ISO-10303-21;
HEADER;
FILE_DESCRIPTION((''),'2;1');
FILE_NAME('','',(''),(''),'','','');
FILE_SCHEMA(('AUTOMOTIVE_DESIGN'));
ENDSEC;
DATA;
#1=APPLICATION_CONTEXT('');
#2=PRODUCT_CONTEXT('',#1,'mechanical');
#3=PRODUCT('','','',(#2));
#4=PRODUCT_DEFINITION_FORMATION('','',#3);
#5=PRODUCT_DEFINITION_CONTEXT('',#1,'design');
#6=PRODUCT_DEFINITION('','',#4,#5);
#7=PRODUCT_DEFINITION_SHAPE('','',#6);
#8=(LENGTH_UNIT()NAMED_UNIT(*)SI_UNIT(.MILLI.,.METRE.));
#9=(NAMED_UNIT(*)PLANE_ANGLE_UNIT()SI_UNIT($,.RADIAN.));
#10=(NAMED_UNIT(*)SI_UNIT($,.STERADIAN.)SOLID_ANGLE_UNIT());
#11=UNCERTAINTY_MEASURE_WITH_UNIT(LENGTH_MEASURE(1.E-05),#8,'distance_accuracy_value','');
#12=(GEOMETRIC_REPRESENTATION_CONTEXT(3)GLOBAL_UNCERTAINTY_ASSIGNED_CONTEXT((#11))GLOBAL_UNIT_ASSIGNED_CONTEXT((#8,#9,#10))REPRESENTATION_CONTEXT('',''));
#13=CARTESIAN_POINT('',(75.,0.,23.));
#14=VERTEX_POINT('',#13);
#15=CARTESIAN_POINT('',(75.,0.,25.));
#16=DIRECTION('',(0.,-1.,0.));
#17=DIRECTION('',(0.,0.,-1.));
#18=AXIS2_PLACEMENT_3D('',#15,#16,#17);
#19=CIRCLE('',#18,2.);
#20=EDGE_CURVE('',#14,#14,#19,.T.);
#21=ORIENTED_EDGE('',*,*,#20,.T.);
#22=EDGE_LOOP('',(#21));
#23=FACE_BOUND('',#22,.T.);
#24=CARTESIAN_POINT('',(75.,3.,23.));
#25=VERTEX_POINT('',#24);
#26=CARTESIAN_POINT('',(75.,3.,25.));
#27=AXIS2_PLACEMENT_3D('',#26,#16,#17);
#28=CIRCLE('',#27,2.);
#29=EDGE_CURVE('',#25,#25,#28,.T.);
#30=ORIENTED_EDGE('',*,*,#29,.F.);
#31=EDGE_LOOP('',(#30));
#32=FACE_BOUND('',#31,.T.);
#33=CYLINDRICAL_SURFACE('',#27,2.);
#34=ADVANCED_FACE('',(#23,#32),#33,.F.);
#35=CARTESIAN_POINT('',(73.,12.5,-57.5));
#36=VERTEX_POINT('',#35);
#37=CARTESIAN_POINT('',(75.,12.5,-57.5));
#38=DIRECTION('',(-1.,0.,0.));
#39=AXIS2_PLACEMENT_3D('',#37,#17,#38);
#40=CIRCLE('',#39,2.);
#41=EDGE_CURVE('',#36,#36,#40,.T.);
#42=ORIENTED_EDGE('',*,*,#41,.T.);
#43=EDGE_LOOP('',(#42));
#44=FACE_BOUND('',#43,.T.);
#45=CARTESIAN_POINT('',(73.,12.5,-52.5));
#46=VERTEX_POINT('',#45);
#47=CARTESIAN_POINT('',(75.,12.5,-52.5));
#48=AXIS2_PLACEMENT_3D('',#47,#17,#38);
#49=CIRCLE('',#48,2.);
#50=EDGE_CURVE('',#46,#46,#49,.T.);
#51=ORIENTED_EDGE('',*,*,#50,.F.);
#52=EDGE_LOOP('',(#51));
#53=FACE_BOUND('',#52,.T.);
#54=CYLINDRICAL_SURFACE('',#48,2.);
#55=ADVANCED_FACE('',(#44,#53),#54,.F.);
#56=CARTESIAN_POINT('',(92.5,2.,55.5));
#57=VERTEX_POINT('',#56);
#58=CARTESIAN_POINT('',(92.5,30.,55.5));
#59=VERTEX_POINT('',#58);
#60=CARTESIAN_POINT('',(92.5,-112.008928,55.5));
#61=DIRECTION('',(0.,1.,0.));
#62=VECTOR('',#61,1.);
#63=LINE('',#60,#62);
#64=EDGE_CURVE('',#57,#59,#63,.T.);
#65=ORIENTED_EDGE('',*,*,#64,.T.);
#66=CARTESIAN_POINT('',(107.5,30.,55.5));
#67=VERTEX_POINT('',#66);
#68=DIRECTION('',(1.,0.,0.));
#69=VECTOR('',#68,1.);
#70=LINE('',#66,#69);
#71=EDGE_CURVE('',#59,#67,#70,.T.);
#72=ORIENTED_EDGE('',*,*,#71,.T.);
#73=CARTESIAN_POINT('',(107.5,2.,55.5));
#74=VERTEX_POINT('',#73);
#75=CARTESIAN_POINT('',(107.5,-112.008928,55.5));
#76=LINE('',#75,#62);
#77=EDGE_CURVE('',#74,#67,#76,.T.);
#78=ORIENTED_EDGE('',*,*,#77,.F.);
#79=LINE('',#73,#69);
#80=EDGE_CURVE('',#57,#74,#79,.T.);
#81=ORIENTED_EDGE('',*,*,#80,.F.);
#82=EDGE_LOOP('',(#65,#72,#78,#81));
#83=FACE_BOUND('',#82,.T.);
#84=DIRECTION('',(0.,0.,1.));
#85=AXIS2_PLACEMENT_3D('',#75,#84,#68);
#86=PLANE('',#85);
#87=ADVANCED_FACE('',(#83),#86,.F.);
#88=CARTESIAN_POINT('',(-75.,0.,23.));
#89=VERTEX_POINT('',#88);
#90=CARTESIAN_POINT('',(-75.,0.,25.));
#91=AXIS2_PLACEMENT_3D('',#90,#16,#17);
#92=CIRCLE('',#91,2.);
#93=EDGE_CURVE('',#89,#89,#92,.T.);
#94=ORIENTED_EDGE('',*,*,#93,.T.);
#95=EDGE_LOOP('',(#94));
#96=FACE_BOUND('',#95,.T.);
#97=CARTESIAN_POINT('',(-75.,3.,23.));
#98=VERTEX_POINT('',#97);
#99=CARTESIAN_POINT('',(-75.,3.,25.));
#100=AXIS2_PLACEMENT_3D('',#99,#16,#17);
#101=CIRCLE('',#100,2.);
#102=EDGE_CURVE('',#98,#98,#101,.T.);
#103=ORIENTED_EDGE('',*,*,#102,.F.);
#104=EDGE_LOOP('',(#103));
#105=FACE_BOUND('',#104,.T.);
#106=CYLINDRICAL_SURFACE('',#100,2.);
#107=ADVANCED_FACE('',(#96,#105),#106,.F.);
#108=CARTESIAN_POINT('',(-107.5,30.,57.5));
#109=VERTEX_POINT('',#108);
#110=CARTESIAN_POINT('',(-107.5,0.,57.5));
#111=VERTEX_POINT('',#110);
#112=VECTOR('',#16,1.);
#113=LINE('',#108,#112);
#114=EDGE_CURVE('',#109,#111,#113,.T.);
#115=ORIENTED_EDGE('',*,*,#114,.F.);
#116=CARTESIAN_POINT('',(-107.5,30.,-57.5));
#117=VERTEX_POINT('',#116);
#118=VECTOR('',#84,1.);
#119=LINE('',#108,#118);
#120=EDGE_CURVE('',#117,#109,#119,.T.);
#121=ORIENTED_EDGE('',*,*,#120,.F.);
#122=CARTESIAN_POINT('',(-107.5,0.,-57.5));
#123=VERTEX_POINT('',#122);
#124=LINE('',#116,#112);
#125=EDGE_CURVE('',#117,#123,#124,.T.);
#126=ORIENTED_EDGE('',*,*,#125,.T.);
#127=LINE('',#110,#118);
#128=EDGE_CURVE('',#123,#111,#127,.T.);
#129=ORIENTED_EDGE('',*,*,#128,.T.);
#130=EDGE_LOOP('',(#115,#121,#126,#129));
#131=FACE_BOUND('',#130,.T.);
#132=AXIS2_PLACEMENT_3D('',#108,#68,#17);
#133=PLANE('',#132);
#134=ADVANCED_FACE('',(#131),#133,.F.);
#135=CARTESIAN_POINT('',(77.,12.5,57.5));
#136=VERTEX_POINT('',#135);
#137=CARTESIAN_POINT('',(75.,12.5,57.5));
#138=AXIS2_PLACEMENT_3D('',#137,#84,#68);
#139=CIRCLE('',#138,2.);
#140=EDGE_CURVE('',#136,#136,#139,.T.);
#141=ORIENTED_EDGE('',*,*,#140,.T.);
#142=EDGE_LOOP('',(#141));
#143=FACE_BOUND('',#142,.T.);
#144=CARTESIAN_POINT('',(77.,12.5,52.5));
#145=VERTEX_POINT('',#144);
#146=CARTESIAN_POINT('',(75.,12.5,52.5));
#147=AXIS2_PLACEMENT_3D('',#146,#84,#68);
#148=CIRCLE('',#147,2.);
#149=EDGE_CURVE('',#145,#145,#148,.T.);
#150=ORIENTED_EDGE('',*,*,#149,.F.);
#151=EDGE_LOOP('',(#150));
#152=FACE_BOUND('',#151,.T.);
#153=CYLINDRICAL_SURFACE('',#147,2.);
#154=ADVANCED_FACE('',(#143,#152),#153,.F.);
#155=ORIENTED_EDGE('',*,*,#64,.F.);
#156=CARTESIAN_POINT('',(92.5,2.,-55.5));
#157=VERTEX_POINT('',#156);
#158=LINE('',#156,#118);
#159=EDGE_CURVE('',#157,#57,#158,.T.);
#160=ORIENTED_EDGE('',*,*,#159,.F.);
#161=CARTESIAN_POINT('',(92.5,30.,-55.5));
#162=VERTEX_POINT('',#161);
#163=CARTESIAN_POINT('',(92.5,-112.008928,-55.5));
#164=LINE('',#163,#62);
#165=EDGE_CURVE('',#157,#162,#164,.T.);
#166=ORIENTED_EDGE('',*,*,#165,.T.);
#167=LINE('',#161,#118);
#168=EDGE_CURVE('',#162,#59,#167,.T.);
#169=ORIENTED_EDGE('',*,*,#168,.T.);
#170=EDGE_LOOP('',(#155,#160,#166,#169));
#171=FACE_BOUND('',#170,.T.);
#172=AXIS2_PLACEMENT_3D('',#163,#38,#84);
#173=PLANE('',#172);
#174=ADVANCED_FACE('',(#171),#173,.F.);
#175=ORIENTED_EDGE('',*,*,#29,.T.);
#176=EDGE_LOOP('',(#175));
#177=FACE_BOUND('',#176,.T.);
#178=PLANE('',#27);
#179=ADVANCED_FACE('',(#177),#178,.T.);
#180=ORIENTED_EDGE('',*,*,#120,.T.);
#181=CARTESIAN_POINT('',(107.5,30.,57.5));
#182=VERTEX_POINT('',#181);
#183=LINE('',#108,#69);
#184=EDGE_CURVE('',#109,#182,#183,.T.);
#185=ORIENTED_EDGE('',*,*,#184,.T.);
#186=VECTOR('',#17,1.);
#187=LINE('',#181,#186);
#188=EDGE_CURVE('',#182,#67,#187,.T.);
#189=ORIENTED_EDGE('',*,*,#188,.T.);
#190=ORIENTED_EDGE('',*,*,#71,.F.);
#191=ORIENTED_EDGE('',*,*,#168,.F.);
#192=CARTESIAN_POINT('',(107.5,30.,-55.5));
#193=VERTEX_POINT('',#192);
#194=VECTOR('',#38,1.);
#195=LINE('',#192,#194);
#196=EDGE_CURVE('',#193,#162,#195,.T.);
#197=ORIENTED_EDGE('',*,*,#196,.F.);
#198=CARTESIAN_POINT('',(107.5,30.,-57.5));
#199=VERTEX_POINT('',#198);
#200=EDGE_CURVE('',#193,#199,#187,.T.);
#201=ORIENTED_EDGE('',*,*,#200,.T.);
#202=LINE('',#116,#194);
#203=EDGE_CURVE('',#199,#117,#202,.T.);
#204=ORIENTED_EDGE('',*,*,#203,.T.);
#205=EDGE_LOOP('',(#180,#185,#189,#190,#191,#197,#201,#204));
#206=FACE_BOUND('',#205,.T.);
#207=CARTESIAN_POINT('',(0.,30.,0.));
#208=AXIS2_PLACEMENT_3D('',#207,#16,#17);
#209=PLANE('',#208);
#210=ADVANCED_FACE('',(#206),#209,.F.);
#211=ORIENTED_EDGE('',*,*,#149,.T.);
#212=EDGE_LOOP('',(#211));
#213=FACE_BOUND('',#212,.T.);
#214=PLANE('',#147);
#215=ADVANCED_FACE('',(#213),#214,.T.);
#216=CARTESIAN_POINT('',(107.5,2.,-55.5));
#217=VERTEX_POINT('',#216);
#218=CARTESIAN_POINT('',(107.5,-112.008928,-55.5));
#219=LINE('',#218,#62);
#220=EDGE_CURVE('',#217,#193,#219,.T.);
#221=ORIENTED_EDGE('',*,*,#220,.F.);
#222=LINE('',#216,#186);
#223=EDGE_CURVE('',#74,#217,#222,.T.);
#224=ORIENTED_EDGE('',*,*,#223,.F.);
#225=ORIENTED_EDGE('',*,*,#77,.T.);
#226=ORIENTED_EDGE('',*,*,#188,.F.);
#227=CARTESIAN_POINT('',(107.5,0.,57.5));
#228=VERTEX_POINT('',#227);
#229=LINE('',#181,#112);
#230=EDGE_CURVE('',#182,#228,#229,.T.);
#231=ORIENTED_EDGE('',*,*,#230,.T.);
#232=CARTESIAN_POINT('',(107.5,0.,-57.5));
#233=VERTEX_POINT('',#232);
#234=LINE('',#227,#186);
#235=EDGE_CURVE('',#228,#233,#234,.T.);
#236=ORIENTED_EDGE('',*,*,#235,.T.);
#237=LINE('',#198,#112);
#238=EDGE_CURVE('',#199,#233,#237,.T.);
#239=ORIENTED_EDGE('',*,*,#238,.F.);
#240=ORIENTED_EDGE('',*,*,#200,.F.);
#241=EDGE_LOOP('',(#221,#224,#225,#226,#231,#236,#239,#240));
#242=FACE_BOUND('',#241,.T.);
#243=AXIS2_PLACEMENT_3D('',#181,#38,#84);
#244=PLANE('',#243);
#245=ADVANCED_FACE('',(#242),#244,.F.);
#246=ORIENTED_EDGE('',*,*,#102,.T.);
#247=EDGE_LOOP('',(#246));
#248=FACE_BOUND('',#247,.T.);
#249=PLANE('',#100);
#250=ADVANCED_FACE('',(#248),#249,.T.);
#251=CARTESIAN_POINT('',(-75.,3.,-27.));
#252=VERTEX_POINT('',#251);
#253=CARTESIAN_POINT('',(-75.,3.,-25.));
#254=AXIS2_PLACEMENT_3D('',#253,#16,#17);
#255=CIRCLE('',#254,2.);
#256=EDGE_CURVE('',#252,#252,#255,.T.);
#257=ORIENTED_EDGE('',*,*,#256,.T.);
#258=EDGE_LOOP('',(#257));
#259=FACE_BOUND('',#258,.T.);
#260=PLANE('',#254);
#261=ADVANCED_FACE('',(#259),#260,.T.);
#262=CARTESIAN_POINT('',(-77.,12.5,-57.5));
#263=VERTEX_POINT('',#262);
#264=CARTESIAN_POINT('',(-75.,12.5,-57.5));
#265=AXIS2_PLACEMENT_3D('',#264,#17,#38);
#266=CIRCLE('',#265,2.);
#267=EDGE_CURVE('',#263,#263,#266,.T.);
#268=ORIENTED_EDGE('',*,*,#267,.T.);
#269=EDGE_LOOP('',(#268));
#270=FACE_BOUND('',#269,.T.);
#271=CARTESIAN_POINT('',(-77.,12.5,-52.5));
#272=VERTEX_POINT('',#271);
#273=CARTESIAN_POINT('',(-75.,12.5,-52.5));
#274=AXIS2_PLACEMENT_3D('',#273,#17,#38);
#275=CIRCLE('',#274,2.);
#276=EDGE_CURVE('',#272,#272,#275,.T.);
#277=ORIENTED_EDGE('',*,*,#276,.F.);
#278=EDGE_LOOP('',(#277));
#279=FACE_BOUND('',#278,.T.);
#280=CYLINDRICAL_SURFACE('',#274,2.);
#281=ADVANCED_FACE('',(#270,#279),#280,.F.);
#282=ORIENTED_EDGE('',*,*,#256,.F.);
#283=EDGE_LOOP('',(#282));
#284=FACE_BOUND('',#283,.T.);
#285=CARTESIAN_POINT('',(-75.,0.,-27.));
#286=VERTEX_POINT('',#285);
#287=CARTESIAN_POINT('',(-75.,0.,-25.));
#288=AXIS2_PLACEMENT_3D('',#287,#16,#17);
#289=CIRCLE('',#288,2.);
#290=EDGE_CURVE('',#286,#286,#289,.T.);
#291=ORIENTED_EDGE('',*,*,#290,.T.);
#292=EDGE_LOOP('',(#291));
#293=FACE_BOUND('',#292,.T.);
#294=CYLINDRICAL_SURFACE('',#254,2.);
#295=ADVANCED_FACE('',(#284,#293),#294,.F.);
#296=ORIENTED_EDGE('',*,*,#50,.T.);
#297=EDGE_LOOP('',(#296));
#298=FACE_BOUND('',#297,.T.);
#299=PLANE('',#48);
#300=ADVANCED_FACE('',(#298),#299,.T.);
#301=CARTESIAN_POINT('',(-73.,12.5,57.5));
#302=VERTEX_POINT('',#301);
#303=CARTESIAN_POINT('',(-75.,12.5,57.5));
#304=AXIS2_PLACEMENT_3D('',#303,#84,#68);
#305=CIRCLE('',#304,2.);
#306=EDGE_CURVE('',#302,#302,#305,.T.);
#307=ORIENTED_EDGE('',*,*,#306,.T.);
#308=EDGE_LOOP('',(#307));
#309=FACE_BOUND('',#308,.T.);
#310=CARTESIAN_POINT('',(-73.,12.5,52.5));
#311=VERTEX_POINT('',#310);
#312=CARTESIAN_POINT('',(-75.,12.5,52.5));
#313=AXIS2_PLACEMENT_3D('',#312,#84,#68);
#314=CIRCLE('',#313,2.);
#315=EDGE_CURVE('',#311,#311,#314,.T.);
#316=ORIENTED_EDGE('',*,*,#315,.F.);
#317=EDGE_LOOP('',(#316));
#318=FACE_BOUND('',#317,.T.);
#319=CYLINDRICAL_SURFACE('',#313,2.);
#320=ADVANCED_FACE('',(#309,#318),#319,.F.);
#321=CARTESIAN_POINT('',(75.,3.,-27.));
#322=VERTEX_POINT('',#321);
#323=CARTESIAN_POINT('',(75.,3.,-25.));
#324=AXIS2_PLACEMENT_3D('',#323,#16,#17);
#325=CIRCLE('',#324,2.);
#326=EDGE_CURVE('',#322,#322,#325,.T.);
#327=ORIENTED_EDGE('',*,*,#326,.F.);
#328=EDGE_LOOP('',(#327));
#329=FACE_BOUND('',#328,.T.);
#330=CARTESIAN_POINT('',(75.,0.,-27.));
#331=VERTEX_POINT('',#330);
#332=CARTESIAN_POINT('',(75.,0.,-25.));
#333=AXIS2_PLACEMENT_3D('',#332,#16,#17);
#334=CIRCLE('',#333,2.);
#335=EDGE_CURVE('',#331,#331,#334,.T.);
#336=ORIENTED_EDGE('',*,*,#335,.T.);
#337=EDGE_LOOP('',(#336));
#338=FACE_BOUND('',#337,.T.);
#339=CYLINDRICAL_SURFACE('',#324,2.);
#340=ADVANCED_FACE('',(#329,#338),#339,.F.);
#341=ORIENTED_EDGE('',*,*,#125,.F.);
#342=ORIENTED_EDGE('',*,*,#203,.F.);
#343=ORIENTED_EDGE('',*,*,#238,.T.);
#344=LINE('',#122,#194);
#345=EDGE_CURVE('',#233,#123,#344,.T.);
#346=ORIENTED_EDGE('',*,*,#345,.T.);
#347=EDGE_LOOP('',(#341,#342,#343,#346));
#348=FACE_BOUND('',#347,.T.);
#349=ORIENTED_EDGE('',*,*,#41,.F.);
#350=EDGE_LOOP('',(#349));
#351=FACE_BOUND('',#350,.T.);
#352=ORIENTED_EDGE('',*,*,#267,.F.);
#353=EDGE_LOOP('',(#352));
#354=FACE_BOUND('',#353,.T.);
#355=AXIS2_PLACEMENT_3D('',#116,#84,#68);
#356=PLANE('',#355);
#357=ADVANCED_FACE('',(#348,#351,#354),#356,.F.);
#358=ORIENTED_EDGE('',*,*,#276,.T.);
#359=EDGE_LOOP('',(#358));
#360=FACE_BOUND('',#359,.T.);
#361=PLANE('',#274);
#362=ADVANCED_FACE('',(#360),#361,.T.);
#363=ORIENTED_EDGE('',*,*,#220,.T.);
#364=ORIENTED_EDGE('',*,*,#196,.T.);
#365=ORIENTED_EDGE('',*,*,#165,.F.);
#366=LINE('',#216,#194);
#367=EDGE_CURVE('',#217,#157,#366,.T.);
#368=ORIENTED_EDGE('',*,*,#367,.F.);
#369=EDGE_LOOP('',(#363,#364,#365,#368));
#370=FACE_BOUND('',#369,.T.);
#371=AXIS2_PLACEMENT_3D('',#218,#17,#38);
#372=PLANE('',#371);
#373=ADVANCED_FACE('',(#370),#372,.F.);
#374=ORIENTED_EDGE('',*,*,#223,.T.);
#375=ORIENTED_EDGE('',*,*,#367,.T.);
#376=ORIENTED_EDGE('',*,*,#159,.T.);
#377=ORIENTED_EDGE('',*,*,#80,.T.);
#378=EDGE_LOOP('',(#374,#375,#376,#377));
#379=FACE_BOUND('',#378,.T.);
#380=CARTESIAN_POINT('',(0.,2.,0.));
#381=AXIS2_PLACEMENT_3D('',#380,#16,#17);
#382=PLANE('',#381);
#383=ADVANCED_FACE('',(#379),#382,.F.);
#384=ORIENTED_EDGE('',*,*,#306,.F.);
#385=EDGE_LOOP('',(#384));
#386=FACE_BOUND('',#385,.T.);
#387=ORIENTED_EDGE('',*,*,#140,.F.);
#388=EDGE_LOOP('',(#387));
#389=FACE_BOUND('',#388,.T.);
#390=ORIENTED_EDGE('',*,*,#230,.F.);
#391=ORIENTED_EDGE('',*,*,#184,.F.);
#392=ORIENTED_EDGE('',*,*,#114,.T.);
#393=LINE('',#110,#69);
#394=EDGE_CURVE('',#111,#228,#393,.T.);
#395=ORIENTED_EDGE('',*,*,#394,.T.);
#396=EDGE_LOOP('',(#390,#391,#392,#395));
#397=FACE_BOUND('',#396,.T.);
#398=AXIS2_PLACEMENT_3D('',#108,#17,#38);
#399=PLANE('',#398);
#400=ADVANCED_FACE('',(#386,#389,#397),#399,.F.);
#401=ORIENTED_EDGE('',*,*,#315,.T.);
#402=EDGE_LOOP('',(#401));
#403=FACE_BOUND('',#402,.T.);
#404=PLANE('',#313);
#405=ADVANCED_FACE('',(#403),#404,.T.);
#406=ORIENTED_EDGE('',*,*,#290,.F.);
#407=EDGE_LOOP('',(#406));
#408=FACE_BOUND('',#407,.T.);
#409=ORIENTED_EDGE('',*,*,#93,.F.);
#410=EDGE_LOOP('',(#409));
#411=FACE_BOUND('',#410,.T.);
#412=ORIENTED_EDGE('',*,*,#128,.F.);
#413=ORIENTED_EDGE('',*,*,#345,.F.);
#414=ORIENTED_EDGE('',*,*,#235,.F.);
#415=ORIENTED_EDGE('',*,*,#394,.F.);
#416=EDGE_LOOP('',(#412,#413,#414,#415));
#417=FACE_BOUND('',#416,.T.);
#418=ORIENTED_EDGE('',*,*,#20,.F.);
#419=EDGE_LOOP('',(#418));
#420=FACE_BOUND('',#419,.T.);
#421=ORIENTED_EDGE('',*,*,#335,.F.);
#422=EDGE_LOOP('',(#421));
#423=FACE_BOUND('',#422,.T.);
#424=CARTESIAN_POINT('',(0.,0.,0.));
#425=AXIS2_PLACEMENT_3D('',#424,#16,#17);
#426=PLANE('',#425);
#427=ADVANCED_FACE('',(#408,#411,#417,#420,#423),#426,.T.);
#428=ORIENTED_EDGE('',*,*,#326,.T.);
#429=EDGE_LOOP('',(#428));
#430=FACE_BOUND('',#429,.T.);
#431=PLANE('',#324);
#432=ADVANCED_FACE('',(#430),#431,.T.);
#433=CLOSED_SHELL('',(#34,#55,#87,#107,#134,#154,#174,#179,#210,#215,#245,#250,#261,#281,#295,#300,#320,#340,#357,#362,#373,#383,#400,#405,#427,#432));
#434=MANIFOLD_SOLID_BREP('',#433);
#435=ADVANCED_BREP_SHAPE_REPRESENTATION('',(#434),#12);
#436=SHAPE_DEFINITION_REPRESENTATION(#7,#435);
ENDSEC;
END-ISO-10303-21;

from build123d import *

# Parameters (mm, degrees)
SKETCH1_W           = 215
SKETCH1_H           = 115
BOSS_EXTRUDE1_DEPTH = 30
SKETCH2_W           = 15
SKETCH2_H           = 111
CUT_EXTRUDE1_DEPTH  = 28
SKETCH3_R           = 2
CUT_EXTRUDE2_DEPTH  = 5
SKETCH4_R           = 2
CUT_EXTRUDE3_DEPTH  = 3
CUT_EXTRUDE4_START  = -5
SKETCH5_R           = 2
CUT_EXTRUDE4_DEPTH  = 5


with BuildPart() as part:
    # Sketch1 → Boss-Extrude1 (new body)
    with BuildSketch(Plane(origin=(0, 0, 0), x_dir=(1, 0, 0), z_dir=(0, 1, 0))):
        Rectangle(SKETCH1_W, SKETCH1_H)
    extrude(amount=BOSS_EXTRUDE1_DEPTH)

    # Sketch2 → Cut-Extrude1 (cut)
    with BuildSketch(Plane(origin=(0, 30, 0), x_dir=(1, 0, 0), z_dir=(0, 1, 0))):
        with Locations((100, 0)):
            Rectangle(SKETCH2_W, SKETCH2_H)
    extrude(amount=-CUT_EXTRUDE1_DEPTH, mode=Mode.SUBTRACT)

    # Sketch3 → Cut-Extrude2 (cut)
    with BuildSketch(Plane.XY.offset(57.5)):
        with Locations((75, 12.5)):
            Circle(SKETCH3_R)
        with Locations((-75, 12.5)):
            Circle(SKETCH3_R)
    extrude(amount=-CUT_EXTRUDE2_DEPTH, mode=Mode.SUBTRACT)

    # Sketch4 → Cut-Extrude3 (cut)
    with BuildSketch(Plane.XZ):
        with Locations(Location((75, -25, 0), (0, 0, 270))):
            Circle(SKETCH4_R)
        with Locations(Location((-75, -25, 0), (0, 0, 270))):
            Circle(SKETCH4_R)
        with Locations(Location((-75, 25, 0), (0, 0, 270))):
            Circle(SKETCH4_R)
        with Locations(Location((75, 25, 0), (0, 0, 270))):
            Circle(SKETCH4_R)
    extrude(amount=-CUT_EXTRUDE3_DEPTH, mode=Mode.SUBTRACT)

    # Sketch5 → Cut-Extrude4 (cut)
    with BuildSketch(Plane(origin=(0, 0, -57.5), x_dir=(-1, 0, 0), z_dir=(0, 0, -1)).offset(CUT_EXTRUDE4_START)):
        with Locations(Location((-75, 12.5, 0), (0, 0, 180))):
            Circle(SKETCH5_R)
        with Locations(Location((75, 12.5, 0), (0, 0, 180))):
            Circle(SKETCH5_R)
    extrude(amount=CUT_EXTRUDE4_DEPTH, mode=Mode.SUBTRACT)


solid = part.part
